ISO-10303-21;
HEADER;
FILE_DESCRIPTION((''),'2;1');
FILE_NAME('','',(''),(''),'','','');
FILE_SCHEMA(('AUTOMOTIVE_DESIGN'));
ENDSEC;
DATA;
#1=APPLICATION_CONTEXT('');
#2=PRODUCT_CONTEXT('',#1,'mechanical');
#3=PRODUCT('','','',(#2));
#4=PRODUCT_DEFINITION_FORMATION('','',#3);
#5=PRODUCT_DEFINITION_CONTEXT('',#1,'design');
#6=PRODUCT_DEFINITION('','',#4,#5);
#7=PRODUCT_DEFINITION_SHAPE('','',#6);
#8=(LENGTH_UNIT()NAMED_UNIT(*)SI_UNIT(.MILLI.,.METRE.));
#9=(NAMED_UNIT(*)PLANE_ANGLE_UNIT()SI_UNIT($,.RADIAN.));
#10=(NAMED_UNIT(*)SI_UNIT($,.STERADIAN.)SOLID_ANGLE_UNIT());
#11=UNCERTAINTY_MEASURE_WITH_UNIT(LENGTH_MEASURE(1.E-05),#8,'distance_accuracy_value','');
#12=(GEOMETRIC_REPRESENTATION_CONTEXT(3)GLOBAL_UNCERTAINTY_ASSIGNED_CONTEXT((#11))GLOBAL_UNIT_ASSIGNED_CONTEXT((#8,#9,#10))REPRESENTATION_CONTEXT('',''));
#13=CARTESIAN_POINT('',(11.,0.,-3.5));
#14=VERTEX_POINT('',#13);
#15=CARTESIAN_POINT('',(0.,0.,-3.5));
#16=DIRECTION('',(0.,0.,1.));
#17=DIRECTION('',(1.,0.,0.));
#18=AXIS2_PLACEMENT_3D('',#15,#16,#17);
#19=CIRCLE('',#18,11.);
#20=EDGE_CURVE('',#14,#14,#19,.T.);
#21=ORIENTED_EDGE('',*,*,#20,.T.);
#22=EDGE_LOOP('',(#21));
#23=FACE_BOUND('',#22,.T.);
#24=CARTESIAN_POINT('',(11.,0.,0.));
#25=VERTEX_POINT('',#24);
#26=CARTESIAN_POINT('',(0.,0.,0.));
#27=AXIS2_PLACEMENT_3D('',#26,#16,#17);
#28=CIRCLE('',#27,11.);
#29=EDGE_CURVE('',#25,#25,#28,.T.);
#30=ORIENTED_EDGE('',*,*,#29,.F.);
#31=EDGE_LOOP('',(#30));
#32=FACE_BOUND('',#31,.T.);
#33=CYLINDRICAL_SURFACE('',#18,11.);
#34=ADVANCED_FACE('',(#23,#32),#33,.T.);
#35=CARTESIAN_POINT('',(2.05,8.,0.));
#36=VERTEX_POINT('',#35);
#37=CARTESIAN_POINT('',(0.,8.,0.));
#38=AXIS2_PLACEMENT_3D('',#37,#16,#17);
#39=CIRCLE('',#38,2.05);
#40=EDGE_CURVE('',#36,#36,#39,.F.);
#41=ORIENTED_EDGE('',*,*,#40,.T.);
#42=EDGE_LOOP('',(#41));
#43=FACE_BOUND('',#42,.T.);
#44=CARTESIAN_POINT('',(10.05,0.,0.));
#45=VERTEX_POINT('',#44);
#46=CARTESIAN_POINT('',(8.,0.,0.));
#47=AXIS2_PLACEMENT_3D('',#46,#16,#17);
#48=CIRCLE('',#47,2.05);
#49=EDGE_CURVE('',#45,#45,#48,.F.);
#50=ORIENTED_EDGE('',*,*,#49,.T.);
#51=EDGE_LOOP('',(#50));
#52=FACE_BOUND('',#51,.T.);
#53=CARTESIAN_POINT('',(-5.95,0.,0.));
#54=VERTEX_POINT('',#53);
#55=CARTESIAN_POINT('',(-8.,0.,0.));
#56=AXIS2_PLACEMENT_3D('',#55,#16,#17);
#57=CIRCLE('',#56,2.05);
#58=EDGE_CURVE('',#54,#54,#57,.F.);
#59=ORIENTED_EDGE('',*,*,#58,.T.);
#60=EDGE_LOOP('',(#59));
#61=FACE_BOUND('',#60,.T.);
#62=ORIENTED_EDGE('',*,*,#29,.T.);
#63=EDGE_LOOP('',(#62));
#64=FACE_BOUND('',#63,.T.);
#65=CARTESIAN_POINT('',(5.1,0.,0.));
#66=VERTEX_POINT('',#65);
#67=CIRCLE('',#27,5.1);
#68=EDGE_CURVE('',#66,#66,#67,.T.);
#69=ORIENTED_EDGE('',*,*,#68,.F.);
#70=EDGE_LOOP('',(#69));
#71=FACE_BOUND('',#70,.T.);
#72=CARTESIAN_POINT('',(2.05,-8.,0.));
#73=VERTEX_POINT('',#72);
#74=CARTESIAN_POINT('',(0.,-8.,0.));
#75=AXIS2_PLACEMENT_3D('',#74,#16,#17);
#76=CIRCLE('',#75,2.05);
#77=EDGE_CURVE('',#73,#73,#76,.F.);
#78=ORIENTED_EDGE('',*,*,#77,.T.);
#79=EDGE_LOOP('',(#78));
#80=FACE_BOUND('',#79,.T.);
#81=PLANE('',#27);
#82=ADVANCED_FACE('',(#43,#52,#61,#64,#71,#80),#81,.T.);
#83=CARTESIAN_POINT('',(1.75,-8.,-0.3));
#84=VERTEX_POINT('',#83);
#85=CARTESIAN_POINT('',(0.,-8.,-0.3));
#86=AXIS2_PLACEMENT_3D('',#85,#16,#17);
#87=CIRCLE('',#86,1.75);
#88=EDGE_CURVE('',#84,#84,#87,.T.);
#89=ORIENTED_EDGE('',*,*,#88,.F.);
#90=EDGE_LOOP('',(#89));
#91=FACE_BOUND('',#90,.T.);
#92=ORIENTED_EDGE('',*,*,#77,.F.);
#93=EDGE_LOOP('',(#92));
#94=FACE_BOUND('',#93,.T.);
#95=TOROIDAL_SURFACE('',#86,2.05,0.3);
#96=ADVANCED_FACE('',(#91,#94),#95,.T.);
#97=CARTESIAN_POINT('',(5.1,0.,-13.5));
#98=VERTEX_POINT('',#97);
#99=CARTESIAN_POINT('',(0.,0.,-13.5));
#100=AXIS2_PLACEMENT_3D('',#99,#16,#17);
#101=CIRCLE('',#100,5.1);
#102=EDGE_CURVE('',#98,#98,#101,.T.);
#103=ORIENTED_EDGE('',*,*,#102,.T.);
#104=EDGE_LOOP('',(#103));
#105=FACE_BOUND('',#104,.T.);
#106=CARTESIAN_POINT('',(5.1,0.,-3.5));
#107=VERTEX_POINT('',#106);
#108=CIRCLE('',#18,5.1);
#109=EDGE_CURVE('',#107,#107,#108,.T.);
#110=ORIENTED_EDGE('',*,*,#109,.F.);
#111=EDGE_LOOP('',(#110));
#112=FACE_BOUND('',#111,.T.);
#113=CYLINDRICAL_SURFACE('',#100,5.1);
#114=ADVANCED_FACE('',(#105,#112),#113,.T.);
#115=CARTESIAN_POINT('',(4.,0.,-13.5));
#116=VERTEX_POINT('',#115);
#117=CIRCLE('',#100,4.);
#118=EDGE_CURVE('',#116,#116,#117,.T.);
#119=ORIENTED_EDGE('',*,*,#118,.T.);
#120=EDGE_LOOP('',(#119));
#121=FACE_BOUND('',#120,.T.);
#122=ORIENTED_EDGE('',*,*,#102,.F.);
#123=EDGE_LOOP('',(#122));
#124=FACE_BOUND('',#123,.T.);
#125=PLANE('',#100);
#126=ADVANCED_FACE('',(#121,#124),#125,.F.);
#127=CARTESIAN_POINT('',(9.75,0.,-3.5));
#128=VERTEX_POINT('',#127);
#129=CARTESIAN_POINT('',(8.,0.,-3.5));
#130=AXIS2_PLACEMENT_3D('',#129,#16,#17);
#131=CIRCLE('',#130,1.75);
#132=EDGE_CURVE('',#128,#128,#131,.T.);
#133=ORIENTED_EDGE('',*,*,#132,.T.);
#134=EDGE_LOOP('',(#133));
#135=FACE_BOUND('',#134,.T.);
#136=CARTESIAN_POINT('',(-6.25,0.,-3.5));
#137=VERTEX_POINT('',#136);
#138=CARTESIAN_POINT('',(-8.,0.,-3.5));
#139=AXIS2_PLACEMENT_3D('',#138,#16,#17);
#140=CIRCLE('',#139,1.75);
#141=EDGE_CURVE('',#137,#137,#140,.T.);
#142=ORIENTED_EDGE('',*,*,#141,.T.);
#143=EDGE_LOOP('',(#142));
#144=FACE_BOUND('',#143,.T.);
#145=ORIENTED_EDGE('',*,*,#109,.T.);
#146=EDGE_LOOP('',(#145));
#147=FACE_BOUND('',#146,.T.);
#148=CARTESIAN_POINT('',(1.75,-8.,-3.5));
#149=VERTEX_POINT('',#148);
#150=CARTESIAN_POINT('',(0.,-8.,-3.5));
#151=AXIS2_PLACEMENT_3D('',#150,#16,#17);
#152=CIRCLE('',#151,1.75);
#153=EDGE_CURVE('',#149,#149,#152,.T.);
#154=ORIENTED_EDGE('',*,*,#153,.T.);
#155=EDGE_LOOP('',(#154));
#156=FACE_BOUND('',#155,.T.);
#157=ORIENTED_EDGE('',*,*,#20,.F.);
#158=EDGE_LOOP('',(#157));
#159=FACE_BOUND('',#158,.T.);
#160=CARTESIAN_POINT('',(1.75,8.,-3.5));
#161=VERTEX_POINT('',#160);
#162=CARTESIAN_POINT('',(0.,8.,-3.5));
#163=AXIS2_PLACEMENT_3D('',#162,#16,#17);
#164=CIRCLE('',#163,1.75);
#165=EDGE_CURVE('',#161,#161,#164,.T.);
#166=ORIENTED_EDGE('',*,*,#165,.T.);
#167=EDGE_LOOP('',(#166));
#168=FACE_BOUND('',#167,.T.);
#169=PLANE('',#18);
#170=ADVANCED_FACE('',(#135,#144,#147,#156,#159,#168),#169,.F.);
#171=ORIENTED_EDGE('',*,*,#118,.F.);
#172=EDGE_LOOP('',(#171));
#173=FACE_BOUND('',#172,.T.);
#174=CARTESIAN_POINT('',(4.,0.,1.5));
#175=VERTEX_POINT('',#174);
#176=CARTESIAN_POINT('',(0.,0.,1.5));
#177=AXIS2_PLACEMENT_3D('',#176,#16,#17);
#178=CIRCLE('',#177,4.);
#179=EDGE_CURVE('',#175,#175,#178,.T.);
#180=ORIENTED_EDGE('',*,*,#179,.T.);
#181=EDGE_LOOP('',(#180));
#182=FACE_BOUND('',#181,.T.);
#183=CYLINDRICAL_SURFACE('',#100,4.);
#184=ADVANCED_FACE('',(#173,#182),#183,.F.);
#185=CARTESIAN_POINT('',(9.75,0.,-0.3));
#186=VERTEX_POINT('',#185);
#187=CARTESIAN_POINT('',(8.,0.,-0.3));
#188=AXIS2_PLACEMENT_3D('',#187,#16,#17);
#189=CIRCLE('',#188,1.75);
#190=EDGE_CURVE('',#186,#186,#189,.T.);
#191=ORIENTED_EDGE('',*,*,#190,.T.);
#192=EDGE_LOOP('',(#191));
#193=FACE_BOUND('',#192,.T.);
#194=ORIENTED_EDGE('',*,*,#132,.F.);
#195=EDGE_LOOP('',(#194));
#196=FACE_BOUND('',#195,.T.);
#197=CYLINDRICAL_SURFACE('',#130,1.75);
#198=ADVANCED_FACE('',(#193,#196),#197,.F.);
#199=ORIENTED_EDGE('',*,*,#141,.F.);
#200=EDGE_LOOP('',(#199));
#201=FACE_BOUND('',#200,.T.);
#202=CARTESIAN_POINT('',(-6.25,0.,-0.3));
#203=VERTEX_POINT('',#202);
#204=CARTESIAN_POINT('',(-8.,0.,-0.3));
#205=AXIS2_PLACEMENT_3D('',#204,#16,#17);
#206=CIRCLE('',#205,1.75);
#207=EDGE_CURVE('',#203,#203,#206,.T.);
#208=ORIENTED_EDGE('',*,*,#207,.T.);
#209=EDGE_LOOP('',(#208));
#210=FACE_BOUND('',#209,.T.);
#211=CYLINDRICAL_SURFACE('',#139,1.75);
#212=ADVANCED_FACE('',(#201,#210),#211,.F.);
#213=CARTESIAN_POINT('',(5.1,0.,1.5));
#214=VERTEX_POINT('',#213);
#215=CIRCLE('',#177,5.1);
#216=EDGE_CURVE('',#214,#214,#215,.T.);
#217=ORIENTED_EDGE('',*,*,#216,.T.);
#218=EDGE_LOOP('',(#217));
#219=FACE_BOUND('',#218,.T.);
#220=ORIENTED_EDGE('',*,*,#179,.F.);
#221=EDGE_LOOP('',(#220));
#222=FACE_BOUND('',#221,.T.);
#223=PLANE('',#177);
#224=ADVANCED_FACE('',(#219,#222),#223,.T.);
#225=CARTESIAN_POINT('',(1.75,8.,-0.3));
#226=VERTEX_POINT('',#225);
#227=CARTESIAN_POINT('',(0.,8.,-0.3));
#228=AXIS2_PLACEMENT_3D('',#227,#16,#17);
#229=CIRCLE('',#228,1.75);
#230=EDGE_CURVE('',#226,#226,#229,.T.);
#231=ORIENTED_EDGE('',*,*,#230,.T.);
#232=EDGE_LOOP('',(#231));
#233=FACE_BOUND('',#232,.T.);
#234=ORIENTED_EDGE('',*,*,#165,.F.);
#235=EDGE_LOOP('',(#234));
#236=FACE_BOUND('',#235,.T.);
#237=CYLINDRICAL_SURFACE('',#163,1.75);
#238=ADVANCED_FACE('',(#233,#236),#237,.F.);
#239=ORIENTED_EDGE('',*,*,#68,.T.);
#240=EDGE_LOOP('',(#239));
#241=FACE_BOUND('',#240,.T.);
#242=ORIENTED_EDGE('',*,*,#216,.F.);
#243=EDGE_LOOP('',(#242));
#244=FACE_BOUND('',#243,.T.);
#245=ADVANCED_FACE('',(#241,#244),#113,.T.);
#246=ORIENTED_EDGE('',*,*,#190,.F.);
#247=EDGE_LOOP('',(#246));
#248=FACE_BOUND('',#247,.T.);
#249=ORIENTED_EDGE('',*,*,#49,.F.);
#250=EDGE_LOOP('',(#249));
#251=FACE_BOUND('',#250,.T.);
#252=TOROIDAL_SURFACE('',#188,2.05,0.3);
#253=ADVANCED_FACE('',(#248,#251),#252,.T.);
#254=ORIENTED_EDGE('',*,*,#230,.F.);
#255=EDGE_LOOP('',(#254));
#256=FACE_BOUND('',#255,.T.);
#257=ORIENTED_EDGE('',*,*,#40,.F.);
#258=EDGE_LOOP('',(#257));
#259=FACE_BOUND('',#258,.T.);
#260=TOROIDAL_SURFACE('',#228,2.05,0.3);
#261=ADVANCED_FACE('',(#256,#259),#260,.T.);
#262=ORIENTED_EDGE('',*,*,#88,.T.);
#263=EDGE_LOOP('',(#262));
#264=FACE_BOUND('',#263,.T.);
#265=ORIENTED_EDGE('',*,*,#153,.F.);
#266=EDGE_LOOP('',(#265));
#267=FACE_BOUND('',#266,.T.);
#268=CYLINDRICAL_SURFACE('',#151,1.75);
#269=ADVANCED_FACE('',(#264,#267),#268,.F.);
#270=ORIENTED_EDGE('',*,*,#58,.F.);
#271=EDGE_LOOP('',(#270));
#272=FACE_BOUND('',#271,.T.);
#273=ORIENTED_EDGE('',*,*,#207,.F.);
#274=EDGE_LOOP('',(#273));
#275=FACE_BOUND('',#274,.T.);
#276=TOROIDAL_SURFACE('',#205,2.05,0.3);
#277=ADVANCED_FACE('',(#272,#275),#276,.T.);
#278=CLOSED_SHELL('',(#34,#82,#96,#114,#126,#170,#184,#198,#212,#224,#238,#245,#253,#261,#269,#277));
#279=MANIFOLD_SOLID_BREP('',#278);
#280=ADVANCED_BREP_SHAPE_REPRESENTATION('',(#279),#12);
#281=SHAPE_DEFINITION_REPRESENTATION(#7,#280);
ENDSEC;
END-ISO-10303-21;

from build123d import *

# Parameters (mm, degrees)
SKETCH1_R                = 11
SKETCH1_R_2              = 5.1
SKETCH1_R_3              = 1.75
BOSS_EXTRUDE1_DEPTH      = 3.5
BOSS_EXTRUDE2_DEPTH      = 1.5
BOSS_EXTRUDE2_DEPTH_BACK = 13.5
SKETCH2_R                = 5.1
SKETCH2_R_2              = 4
FILLET2_R                = 0.3


with BuildPart() as part:
    # Sketch1 → Boss-Extrude1 (new body)
    with BuildSketch(Plane.XY):
        Circle(SKETCH1_R)
        Circle(SKETCH1_R_2, mode=Mode.SUBTRACT)
        with Locations((0, 8)):
            Circle(SKETCH1_R_3, mode=Mode.SUBTRACT)
        with Locations((8, 0)):
            Circle(SKETCH1_R_3, mode=Mode.SUBTRACT)
        with Locations((0, -8)):
            Circle(SKETCH1_R_3, mode=Mode.SUBTRACT)
        with Locations((-8, 0)):
            Circle(SKETCH1_R_3, mode=Mode.SUBTRACT)
    extrude(amount=-BOSS_EXTRUDE1_DEPTH)

    # Sketch2 → Boss-Extrude2 (add, two sides: drawn at the far end of the back side and taken through both)
    with BuildSketch(Plane.XY.offset(-BOSS_EXTRUDE2_DEPTH_BACK)):
        Circle(SKETCH2_R)
        Circle(SKETCH2_R_2, mode=Mode.SUBTRACT)
    extrude(amount=BOSS_EXTRUDE2_DEPTH + BOSS_EXTRUDE2_DEPTH_BACK)

    # Fillet2
    fillet2_edges = [part.edges().sort_by_distance(p)[0] for p in [
        (6.25, 0, 0),
        (-1.75, -8, 0),
        (-9.75, 0, 0),
        (-1.75, 8, 0),
    ]]
    fillet(fillet2_edges, radius=FILLET2_R)


solid = part.part
